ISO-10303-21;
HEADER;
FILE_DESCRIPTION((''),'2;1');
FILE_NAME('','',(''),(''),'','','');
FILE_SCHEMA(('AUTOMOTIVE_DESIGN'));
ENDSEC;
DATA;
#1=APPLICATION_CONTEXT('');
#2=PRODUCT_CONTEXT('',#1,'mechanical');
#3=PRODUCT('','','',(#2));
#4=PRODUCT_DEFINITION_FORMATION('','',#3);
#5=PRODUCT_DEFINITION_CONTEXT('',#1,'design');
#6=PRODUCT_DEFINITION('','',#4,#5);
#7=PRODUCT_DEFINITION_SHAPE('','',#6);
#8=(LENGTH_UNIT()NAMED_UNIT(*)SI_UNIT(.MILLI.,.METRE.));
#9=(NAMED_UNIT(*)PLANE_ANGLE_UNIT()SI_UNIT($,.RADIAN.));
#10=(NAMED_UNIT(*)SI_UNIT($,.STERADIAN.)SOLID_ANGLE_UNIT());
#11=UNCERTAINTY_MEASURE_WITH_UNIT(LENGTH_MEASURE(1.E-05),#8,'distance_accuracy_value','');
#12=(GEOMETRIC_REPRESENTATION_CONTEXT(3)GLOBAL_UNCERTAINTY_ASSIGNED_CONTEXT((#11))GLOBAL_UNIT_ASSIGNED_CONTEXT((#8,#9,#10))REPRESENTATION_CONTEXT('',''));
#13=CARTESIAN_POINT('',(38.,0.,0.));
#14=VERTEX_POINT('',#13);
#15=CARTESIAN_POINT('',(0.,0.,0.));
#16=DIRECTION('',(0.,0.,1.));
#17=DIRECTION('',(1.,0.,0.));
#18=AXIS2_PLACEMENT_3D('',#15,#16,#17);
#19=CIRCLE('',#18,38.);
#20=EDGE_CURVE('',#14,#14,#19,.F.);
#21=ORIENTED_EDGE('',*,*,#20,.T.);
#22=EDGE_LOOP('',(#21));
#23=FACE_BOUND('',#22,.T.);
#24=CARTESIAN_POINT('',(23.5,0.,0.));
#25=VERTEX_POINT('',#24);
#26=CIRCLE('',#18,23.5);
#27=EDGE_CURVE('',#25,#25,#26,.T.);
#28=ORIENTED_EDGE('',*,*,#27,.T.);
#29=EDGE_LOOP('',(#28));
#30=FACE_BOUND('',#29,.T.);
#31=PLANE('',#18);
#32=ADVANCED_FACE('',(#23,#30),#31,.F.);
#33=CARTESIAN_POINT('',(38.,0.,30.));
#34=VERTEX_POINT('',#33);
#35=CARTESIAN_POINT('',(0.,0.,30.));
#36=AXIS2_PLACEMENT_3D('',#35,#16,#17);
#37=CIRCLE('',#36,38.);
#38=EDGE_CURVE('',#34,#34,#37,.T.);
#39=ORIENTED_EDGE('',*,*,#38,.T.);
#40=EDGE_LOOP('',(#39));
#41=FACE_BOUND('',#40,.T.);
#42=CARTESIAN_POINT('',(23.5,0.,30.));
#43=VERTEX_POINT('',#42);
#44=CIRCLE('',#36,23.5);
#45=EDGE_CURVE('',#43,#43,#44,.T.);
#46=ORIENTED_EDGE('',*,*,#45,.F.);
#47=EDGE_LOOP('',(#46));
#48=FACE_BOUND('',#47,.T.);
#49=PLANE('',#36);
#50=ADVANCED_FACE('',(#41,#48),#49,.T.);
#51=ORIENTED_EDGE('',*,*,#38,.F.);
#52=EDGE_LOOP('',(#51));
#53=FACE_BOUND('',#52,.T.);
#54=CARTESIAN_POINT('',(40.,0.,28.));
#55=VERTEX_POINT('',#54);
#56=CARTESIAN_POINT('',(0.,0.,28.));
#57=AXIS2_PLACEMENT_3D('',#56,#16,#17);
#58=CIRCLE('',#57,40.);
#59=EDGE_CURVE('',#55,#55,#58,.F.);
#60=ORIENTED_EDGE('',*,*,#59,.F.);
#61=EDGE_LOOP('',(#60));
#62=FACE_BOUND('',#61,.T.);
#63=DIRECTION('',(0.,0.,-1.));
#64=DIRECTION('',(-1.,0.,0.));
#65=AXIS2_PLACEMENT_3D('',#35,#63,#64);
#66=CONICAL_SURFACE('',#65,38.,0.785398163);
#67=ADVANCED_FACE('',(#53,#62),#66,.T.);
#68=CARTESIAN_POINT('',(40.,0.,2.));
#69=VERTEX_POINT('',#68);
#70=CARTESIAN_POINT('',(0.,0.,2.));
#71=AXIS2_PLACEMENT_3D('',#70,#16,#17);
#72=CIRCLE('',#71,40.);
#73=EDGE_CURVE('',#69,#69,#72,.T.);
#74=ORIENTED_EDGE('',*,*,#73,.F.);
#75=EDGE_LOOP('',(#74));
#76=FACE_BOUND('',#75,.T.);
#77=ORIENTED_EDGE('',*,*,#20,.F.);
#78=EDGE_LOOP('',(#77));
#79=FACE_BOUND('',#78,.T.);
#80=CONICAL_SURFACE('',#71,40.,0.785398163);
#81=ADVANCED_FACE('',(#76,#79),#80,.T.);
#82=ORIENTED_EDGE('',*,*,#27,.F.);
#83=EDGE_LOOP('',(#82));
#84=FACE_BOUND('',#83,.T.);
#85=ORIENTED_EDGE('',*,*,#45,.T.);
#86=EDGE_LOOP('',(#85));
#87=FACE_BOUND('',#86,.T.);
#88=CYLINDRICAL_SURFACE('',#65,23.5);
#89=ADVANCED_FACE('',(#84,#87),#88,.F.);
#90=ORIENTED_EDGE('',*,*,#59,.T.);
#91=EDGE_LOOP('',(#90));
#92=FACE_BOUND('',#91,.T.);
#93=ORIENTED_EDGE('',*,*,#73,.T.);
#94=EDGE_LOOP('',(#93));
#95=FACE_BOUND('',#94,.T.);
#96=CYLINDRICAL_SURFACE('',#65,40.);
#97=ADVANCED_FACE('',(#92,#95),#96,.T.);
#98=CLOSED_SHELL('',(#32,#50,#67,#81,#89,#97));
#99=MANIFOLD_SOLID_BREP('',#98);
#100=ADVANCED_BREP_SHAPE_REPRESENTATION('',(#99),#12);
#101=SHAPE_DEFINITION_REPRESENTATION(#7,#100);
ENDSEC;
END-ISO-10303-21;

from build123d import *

# Parameters (mm, degrees)
SKETCH2_R           = 40
SKETCH2_R_2         = 23.5
BOSS_EXTRUDE1_DEPTH = 30
CHAMFER1_SIZE       = 2


with BuildPart() as part:
    # Sketch2 → Boss-Extrude1 (new body)
    with BuildSketch(Plane.XY):
        Circle(SKETCH2_R)
        Circle(SKETCH2_R_2, mode=Mode.SUBTRACT)
    extrude(amount=BOSS_EXTRUDE1_DEPTH)

    # Chamfer1
    chamfer1_edges = [part.edges().sort_by_distance(p)[0] for p in [
        (-40, 0, 0),
        (-40, 0, 30),
    ]]
    chamfer(chamfer1_edges, length=CHAMFER1_SIZE)


solid = part.part
